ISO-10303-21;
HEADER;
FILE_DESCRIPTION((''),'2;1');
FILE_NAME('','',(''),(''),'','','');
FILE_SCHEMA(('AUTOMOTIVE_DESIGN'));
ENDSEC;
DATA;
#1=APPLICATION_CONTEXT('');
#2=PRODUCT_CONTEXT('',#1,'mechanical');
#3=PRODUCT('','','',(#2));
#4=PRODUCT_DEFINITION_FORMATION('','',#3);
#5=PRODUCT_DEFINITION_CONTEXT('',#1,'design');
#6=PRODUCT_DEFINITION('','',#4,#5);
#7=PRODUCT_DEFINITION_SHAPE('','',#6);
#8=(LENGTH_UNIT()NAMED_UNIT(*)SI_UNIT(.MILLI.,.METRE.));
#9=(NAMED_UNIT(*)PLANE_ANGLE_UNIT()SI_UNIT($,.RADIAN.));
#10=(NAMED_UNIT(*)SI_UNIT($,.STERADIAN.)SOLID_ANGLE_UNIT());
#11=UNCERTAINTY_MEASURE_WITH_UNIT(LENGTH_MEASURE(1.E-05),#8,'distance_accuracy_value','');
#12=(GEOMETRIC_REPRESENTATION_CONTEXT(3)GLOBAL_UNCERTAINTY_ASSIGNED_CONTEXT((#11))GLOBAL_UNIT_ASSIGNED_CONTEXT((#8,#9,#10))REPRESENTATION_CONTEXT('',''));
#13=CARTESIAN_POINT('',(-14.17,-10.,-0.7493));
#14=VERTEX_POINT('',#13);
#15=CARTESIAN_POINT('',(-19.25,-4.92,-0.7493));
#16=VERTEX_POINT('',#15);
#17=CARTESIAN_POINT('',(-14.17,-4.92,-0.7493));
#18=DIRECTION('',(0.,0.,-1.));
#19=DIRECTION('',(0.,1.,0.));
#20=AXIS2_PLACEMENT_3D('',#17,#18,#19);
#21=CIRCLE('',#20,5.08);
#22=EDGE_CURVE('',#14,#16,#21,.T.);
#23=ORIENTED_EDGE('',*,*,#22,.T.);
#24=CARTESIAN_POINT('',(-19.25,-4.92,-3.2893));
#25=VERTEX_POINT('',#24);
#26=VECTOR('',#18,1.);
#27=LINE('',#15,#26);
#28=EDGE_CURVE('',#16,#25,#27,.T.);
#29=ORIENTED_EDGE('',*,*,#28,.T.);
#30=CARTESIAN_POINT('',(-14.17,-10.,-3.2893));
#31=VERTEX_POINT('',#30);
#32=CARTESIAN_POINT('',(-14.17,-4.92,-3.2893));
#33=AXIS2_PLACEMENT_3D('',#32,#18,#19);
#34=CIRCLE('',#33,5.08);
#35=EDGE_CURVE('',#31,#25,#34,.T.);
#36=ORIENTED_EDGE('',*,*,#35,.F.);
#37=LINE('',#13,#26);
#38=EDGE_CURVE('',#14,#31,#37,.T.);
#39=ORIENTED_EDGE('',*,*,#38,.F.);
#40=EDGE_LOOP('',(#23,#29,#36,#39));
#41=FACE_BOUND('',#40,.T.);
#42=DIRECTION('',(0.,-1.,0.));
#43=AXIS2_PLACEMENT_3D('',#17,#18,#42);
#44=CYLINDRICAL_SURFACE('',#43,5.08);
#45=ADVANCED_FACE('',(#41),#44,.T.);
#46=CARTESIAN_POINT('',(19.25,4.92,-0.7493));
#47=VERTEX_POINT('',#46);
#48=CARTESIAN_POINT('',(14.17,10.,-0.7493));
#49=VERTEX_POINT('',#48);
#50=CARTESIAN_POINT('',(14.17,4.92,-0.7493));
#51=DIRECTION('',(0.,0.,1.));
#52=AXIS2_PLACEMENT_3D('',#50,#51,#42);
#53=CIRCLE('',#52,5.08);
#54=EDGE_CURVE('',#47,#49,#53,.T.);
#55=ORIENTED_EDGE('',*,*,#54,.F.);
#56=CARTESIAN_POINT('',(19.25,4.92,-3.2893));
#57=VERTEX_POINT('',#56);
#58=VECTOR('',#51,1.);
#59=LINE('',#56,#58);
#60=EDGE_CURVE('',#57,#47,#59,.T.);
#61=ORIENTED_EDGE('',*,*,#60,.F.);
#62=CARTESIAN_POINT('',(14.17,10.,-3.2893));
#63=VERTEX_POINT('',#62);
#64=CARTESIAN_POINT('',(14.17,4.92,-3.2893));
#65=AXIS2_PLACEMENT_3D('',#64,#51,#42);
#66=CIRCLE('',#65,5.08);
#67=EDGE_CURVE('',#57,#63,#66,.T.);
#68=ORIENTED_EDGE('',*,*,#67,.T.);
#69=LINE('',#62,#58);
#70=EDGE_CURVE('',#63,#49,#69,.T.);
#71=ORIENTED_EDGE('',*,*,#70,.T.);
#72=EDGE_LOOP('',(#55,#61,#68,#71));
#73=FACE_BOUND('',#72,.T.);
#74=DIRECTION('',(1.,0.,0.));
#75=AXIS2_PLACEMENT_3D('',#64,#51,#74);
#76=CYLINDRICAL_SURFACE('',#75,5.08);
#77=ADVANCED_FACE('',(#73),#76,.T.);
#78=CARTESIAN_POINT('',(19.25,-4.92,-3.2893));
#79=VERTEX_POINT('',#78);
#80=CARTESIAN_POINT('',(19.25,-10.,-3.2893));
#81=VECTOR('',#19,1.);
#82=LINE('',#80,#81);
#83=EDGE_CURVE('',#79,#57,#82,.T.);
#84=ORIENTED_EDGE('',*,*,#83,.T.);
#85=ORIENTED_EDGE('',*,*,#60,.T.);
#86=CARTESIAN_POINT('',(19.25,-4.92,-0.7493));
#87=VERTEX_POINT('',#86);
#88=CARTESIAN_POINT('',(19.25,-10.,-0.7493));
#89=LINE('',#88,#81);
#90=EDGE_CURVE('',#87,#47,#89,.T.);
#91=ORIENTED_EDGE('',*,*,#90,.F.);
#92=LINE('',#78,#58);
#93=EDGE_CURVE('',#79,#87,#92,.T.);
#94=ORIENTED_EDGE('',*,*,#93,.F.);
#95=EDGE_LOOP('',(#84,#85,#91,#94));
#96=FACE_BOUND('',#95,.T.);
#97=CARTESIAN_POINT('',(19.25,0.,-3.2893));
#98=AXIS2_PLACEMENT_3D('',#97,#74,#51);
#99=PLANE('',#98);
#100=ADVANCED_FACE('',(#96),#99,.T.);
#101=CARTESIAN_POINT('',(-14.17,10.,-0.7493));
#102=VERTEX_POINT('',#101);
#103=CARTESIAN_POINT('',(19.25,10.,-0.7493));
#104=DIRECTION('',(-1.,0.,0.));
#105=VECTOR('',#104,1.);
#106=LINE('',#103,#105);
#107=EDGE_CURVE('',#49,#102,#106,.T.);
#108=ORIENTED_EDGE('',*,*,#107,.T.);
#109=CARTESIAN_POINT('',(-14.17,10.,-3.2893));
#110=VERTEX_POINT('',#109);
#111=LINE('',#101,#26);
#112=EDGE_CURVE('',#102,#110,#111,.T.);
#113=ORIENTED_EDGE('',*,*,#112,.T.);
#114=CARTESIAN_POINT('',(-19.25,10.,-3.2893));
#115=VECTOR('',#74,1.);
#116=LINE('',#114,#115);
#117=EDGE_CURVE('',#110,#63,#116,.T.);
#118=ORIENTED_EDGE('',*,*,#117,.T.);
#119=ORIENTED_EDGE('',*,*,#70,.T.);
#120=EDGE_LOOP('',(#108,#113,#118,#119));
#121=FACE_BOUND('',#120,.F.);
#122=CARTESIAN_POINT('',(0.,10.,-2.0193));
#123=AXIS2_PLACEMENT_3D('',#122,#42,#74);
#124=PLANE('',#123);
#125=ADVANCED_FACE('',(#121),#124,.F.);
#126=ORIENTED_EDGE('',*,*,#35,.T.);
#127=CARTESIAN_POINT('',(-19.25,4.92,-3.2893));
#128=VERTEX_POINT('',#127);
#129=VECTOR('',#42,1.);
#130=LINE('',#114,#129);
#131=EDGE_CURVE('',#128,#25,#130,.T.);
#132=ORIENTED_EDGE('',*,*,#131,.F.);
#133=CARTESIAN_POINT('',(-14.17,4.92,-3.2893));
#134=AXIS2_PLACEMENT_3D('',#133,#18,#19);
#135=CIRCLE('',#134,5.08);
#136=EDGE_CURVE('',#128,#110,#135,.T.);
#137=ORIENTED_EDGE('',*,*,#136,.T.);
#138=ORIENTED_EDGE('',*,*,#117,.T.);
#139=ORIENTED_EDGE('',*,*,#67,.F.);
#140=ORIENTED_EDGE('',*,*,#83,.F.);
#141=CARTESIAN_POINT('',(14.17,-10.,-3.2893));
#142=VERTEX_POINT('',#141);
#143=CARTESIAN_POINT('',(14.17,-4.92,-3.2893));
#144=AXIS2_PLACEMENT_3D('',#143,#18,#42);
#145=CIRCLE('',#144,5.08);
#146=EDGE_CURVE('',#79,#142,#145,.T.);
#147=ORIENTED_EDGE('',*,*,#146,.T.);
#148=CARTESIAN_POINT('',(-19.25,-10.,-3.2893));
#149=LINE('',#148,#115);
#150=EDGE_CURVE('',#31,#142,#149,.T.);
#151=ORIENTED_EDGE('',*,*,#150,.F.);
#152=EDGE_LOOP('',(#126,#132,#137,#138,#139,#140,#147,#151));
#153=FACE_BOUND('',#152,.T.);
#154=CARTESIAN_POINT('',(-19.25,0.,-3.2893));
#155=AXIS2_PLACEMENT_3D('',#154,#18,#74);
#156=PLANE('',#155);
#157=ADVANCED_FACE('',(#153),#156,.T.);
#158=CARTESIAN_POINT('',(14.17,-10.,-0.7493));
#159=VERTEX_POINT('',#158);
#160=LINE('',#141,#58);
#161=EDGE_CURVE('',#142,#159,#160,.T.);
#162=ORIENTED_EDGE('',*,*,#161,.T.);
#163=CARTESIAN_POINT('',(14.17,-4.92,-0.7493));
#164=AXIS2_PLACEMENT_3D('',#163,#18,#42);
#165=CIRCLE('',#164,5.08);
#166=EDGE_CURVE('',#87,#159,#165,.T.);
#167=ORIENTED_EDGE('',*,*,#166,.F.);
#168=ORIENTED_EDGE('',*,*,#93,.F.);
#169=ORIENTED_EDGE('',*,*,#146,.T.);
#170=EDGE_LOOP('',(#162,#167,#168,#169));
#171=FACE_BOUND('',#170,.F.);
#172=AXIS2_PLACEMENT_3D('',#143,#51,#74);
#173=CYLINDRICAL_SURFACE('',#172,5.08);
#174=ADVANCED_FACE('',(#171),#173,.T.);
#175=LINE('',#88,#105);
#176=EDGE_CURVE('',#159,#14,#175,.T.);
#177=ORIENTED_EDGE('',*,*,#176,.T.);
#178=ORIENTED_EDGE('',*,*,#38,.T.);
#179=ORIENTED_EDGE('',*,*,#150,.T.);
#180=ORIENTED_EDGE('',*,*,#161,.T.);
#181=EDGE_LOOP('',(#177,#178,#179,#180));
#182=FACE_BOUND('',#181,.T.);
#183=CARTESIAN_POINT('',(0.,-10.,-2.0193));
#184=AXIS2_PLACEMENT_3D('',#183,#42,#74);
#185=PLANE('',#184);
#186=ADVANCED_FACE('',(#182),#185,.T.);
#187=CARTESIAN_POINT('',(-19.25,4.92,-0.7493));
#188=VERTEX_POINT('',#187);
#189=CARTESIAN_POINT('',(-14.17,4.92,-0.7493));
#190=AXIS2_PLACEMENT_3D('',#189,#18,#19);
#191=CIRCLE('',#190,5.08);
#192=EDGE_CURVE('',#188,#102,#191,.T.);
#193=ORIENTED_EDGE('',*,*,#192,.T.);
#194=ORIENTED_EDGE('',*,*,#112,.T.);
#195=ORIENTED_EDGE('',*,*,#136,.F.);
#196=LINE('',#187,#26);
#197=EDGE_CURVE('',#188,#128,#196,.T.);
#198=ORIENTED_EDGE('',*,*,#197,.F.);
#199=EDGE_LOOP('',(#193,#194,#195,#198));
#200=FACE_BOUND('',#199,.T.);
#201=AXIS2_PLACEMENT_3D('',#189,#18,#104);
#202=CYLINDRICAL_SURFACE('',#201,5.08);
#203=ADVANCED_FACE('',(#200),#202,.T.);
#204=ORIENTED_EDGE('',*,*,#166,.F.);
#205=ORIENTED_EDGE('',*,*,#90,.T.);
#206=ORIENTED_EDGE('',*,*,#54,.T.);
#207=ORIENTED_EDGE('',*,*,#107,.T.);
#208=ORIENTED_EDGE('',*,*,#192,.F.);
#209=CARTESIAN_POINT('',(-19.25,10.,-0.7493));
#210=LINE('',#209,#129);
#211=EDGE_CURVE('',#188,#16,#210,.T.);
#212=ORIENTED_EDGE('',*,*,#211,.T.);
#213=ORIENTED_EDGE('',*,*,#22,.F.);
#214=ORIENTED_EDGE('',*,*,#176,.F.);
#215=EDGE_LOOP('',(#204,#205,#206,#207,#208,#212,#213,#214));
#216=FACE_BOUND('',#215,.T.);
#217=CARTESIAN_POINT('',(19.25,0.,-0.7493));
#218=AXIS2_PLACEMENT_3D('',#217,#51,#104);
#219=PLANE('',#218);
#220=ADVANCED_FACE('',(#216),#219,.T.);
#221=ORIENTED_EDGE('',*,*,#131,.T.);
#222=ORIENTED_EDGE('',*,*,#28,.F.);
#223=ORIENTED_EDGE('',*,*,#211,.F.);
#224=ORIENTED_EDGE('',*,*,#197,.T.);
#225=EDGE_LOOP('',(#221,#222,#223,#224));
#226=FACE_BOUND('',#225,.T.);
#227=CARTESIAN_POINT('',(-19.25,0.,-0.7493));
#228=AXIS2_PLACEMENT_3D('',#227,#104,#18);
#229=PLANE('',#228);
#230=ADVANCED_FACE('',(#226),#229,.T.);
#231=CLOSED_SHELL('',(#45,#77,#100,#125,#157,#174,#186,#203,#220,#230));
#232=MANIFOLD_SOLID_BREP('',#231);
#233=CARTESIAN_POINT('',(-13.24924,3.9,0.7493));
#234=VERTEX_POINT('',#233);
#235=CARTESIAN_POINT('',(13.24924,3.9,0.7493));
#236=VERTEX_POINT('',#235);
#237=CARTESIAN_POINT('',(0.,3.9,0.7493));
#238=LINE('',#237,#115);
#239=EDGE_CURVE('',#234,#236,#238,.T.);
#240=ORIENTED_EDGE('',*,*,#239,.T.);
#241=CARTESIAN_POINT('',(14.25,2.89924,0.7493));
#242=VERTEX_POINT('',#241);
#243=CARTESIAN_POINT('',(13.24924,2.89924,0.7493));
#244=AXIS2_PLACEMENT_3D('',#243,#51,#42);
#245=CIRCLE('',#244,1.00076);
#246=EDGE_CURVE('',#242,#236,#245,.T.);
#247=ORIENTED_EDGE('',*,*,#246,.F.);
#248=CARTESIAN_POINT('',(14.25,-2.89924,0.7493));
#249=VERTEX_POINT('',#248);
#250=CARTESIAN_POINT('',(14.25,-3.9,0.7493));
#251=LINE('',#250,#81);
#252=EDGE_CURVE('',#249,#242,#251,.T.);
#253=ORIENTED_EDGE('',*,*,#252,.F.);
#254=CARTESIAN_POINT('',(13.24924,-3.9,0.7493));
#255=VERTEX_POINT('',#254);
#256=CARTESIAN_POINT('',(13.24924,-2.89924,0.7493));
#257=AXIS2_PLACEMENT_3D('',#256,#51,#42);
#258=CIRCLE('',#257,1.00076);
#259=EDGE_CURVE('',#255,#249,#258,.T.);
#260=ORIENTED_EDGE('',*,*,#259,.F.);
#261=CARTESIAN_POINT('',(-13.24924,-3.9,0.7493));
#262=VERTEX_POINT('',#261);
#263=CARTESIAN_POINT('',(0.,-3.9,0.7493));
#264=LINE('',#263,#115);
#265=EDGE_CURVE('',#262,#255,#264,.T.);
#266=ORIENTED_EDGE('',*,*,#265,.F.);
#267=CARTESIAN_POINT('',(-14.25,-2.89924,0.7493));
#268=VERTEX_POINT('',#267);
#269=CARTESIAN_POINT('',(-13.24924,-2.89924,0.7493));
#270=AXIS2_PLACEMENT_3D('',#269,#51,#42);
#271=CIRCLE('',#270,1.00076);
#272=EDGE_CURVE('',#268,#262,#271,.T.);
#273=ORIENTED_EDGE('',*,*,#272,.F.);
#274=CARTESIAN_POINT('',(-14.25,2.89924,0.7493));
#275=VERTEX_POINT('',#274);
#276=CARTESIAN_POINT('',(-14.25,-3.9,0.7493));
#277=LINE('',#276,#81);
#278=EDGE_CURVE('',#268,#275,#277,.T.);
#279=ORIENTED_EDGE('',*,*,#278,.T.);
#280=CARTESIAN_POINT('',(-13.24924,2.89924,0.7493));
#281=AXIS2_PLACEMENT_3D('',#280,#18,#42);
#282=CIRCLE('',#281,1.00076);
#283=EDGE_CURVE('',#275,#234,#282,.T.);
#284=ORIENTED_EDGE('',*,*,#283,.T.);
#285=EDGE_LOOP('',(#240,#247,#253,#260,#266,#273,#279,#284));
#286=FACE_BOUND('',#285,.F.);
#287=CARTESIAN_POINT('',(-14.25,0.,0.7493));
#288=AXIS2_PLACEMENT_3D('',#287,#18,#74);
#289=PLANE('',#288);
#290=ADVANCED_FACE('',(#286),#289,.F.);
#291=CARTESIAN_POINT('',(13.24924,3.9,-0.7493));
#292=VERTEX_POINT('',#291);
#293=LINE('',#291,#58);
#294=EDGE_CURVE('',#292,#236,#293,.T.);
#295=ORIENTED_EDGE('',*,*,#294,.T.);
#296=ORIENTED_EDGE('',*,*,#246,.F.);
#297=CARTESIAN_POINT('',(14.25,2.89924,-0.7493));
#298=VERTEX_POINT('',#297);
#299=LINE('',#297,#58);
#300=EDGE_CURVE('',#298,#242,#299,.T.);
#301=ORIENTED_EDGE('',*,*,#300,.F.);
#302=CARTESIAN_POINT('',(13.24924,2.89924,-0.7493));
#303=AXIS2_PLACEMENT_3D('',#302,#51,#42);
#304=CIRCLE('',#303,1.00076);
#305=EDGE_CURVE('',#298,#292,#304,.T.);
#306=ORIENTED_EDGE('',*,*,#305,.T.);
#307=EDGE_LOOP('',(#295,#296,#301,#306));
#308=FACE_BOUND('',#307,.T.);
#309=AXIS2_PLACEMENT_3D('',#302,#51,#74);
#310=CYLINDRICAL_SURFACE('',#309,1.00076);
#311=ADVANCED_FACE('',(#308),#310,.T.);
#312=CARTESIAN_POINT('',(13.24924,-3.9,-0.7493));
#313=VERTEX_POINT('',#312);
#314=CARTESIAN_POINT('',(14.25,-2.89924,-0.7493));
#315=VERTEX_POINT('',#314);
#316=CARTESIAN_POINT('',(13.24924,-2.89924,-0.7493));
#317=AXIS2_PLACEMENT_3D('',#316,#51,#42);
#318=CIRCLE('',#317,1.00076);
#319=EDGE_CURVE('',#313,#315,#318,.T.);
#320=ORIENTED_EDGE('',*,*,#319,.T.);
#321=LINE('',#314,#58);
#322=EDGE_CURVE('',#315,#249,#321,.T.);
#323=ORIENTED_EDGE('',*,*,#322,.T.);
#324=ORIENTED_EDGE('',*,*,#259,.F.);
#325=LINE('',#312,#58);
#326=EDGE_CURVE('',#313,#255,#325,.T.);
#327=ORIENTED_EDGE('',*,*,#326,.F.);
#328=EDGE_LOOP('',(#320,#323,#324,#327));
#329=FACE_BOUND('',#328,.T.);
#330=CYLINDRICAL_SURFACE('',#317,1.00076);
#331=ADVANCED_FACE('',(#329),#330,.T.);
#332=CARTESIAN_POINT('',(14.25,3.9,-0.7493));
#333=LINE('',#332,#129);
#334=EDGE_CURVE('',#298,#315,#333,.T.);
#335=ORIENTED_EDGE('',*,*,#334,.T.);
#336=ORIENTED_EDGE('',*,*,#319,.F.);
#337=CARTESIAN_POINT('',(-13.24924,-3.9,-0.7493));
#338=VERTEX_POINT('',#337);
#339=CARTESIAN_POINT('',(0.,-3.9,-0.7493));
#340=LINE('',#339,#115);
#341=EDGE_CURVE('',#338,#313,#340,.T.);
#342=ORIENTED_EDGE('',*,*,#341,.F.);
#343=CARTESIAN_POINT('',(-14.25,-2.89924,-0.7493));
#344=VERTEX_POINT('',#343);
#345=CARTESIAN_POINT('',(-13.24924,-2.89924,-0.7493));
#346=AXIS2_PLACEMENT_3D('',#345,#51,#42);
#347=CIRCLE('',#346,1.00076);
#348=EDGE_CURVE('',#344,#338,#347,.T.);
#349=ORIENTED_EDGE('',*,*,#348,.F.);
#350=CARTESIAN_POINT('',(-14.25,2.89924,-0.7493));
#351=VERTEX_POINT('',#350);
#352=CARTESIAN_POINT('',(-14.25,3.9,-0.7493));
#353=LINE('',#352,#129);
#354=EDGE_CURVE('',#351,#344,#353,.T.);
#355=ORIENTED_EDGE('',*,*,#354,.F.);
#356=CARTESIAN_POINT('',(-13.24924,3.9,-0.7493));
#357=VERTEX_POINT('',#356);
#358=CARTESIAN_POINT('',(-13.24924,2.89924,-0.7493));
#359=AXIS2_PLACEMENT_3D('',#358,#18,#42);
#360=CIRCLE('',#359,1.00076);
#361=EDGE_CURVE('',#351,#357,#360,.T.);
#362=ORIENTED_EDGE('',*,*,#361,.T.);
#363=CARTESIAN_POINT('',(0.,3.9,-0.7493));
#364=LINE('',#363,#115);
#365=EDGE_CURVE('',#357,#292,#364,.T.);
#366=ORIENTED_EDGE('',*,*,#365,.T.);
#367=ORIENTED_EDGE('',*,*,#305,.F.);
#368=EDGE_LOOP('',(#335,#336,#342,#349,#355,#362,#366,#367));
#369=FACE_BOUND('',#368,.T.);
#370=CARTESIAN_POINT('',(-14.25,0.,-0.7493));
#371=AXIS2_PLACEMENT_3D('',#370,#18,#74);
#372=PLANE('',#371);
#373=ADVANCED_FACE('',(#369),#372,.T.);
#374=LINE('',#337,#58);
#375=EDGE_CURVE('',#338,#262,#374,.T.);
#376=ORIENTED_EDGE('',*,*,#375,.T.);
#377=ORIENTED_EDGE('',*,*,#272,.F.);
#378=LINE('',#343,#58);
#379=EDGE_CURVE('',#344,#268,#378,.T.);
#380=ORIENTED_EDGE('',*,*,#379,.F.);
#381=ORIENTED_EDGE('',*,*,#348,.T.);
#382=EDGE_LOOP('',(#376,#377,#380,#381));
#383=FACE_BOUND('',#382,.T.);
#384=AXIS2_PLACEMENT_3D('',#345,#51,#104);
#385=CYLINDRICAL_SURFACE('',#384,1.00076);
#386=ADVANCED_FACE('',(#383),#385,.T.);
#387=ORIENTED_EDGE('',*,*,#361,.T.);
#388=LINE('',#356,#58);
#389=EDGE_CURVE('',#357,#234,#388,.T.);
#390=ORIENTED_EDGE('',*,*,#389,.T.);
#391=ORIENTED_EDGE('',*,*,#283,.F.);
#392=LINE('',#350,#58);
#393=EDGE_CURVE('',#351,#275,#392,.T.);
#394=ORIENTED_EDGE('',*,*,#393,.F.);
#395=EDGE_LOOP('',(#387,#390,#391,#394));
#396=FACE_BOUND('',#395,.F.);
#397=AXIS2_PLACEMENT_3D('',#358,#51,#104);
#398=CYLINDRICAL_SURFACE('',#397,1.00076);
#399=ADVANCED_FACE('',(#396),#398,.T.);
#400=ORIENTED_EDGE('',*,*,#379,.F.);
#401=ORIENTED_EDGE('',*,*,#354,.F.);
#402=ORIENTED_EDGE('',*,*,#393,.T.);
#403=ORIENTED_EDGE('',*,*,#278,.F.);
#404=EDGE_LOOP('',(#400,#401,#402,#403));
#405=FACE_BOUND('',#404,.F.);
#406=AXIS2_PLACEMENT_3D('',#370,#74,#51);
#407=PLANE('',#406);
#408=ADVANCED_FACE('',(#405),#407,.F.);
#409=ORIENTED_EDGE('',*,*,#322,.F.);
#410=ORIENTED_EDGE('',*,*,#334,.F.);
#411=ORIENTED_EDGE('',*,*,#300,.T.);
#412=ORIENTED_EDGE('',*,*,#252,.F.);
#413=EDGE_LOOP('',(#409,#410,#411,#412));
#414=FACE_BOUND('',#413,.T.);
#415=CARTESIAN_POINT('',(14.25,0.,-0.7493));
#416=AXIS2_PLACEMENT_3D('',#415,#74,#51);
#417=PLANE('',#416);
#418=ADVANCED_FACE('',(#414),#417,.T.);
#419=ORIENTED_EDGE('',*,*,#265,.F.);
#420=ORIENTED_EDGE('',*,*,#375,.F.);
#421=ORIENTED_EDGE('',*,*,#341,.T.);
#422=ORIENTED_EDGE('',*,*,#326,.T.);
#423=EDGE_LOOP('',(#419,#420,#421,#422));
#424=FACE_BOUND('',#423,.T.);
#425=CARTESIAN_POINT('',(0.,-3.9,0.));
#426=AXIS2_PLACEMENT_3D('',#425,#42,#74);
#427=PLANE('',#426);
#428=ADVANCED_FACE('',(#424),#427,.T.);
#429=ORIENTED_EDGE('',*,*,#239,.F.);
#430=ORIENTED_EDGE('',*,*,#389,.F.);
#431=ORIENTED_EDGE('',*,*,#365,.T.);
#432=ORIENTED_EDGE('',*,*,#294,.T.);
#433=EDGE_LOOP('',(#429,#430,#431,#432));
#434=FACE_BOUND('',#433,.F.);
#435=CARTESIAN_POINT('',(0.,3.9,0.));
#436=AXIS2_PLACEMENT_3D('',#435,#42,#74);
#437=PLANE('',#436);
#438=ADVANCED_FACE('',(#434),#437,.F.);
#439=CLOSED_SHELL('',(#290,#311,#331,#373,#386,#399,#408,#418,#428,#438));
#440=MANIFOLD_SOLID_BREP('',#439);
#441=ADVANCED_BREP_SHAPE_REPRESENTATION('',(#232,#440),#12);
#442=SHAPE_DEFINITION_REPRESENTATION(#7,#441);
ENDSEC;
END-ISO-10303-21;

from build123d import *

# Parameters (mm, degrees)
F0_W     = 28.5
F0_H     = 1.4986
F1_DEPTH = 3.9
F2_R     = 1.00076
F3_DEPTH = 10
F4_R     = 5.08


with BuildPart() as f1:
    # F0 (on Front) → F1 (new body, symmetric)
    with BuildSketch(Plane.XZ):
        Rectangle(F0_W, F0_H)
    extrude(amount=F1_DEPTH, both=True)

    # F2
    f2_edges = [f1.edges().sort_by_distance(p)[0] for p in [
        (-14.25, -3.9, 0),
        (-14.25, 3.9, 0),
        (14.25, 3.9, 0),
        (14.25, -3.9, 0),
    ]]
    fillet(f2_edges, radius=F2_R)


with BuildPart() as f3:
    # F0 (on Front) → F3 (new body, symmetric)
    with BuildSketch(Plane.XZ):
        Polygon((19.25, -0.7493), (14.25, -0.7493), (-14.25, -0.7493), (-19.25, -0.7493), (-19.25, -3.2893), (19.25, -3.2893), align=None)
    extrude(amount=F3_DEPTH, both=True)

    # F4
    f4_edges = [f3.edges().sort_by_distance(p)[0] for p in [
        (-19.25, -10, -2.0193),
        (19.25, -10, -2.0193),
        (19.25, 10, -2.0193),
        (-19.25, 10, -2.0193),
    ]]
    fillet(f4_edges, radius=F4_R)


solid = Compound([f1.part, f3.part])
